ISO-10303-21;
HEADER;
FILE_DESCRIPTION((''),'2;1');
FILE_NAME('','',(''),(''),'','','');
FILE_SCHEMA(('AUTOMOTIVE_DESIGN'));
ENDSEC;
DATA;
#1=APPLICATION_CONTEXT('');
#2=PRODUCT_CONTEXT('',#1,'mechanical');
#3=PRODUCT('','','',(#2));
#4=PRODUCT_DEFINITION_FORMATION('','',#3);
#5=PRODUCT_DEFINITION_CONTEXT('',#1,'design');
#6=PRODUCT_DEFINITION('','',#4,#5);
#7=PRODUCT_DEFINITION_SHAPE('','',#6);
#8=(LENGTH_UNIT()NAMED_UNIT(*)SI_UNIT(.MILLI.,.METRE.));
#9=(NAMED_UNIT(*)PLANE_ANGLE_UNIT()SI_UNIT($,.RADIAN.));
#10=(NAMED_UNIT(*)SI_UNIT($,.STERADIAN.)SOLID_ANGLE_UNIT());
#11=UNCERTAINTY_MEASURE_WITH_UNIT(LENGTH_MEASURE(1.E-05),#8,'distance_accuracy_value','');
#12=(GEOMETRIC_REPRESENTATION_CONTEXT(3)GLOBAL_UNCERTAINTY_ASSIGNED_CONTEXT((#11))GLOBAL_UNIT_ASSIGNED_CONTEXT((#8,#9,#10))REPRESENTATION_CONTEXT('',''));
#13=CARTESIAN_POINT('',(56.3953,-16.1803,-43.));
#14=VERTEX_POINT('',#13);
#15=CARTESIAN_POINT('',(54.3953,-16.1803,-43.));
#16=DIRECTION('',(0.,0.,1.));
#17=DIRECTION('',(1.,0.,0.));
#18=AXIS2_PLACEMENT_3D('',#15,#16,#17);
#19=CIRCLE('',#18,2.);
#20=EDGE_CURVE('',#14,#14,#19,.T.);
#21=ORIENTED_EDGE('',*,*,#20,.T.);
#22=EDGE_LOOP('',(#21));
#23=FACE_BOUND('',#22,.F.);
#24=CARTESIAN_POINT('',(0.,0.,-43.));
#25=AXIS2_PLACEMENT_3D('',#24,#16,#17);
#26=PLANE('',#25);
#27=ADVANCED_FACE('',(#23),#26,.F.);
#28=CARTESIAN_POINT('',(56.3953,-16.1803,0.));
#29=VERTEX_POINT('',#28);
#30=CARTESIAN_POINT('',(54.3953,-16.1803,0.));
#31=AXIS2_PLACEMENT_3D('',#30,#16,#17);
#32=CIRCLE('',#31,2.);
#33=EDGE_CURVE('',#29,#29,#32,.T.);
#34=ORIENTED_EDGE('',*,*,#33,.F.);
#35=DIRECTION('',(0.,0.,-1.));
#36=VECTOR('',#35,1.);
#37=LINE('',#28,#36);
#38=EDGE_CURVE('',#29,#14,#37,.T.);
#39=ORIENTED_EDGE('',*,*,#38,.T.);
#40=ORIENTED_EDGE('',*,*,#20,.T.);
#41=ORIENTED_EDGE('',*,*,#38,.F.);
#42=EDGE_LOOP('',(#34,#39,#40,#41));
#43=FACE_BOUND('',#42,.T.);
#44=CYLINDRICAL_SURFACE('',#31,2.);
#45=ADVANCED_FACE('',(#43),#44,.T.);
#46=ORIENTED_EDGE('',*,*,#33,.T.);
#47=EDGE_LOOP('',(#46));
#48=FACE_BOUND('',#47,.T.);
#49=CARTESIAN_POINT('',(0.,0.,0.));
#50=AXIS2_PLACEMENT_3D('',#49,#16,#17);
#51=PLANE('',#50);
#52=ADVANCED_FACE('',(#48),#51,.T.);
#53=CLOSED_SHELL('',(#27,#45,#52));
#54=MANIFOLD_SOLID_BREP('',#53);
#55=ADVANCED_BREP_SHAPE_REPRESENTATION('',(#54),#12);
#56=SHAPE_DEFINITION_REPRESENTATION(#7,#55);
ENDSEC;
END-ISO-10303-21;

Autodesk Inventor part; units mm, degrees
ref_plane "YZ Plane" through (0, 0, 0) normal (1, 0, 0) x (0, 1, 0)
ref_plane "Work Plane1" through (0, 0, 0) normal (0, 0, 1) x (1, 0, 0)
sketch "Sketch1" plane through (0, 0, 0) normal (0, 0, 1) x (1, 0, 0)
  circle A0 centre (54.3953, -16.1803) radius 4.0005 projected
  circle A1 centre (54.3953, -16.1803) radius 2
  point P0 (0, 0)
ref_plane "Work Plane2" through (0, -29.5, -27) normal (0, 0, -1) x (0, 1, 0)
ref_plane "Work Plane3" through (38.9126, -31.7019, -38) normal (0, 0, -1) x (0.3643, 0.9313, 0)
extrude "Extrusion1" add sketch "Sketch1" against normal blind 43 contours A1
properties part number "smolGear_shaft" material "PVC, Unplasticized"
